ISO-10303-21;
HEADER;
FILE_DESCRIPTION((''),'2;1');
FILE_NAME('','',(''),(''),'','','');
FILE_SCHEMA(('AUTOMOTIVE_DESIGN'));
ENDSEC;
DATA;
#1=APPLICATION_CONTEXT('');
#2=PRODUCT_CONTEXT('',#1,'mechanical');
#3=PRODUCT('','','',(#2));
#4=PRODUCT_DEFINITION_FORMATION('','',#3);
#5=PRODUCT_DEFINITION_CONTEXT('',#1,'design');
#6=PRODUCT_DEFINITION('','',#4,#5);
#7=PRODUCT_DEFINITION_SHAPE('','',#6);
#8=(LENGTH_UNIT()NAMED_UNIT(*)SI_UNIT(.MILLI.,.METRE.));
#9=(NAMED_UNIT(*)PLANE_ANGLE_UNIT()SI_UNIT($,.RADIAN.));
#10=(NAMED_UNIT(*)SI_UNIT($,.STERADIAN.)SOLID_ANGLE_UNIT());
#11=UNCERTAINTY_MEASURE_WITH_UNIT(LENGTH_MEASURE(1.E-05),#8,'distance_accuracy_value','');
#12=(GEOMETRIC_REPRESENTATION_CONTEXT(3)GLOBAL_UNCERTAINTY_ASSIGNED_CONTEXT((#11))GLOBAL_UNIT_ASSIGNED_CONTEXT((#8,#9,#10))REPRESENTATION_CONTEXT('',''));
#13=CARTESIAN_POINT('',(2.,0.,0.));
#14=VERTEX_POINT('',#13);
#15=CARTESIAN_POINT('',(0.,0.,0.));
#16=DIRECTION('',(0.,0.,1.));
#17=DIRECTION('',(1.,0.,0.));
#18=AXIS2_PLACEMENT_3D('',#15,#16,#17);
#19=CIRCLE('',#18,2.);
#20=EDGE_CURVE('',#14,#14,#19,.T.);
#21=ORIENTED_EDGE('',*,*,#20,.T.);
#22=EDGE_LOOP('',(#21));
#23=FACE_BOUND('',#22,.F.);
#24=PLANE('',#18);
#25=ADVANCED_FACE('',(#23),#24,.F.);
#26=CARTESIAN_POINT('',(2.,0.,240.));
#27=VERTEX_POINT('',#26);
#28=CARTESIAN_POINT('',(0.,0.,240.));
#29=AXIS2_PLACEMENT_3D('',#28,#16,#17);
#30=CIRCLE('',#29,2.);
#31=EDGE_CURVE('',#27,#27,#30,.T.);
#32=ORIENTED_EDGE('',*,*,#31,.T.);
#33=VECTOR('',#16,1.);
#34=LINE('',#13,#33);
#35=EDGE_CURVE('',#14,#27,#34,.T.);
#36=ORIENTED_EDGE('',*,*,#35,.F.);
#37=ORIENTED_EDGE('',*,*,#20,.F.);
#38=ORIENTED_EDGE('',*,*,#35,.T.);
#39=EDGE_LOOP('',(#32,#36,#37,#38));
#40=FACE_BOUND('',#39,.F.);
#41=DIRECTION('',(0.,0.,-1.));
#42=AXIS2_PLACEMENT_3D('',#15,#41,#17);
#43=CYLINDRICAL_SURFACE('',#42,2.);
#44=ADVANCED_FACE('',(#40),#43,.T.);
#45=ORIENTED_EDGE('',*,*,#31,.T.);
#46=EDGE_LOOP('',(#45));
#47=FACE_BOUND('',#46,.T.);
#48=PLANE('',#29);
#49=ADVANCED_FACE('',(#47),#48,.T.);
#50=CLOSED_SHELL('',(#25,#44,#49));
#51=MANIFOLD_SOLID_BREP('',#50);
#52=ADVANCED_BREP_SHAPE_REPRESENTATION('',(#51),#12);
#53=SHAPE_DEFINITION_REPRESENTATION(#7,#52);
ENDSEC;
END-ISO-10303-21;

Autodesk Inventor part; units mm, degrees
ref_plane "YZ Plane" through (0, 0, 0) normal (1, 0, 0) x (0, 1, 0)
ref_plane "XZ Plane" through (0, 0, 0) normal (0, 1, 0) x (-1, 0, 0)
ref_plane "XY Plane" through (0, 0, 0) normal (0, 0, 1) x (1, 0, 0)
sketch "Sketch1" plane through (0, 0, 0) normal (0, 0, 1) x (1, 0, 0)
  circle A0 centre (0, 0) radius 2
  dimension "d0" = 4
extrude "Extrusion1" add sketch "Sketch1" along normal blind 240
properties part number "M4_threaded_brass"
